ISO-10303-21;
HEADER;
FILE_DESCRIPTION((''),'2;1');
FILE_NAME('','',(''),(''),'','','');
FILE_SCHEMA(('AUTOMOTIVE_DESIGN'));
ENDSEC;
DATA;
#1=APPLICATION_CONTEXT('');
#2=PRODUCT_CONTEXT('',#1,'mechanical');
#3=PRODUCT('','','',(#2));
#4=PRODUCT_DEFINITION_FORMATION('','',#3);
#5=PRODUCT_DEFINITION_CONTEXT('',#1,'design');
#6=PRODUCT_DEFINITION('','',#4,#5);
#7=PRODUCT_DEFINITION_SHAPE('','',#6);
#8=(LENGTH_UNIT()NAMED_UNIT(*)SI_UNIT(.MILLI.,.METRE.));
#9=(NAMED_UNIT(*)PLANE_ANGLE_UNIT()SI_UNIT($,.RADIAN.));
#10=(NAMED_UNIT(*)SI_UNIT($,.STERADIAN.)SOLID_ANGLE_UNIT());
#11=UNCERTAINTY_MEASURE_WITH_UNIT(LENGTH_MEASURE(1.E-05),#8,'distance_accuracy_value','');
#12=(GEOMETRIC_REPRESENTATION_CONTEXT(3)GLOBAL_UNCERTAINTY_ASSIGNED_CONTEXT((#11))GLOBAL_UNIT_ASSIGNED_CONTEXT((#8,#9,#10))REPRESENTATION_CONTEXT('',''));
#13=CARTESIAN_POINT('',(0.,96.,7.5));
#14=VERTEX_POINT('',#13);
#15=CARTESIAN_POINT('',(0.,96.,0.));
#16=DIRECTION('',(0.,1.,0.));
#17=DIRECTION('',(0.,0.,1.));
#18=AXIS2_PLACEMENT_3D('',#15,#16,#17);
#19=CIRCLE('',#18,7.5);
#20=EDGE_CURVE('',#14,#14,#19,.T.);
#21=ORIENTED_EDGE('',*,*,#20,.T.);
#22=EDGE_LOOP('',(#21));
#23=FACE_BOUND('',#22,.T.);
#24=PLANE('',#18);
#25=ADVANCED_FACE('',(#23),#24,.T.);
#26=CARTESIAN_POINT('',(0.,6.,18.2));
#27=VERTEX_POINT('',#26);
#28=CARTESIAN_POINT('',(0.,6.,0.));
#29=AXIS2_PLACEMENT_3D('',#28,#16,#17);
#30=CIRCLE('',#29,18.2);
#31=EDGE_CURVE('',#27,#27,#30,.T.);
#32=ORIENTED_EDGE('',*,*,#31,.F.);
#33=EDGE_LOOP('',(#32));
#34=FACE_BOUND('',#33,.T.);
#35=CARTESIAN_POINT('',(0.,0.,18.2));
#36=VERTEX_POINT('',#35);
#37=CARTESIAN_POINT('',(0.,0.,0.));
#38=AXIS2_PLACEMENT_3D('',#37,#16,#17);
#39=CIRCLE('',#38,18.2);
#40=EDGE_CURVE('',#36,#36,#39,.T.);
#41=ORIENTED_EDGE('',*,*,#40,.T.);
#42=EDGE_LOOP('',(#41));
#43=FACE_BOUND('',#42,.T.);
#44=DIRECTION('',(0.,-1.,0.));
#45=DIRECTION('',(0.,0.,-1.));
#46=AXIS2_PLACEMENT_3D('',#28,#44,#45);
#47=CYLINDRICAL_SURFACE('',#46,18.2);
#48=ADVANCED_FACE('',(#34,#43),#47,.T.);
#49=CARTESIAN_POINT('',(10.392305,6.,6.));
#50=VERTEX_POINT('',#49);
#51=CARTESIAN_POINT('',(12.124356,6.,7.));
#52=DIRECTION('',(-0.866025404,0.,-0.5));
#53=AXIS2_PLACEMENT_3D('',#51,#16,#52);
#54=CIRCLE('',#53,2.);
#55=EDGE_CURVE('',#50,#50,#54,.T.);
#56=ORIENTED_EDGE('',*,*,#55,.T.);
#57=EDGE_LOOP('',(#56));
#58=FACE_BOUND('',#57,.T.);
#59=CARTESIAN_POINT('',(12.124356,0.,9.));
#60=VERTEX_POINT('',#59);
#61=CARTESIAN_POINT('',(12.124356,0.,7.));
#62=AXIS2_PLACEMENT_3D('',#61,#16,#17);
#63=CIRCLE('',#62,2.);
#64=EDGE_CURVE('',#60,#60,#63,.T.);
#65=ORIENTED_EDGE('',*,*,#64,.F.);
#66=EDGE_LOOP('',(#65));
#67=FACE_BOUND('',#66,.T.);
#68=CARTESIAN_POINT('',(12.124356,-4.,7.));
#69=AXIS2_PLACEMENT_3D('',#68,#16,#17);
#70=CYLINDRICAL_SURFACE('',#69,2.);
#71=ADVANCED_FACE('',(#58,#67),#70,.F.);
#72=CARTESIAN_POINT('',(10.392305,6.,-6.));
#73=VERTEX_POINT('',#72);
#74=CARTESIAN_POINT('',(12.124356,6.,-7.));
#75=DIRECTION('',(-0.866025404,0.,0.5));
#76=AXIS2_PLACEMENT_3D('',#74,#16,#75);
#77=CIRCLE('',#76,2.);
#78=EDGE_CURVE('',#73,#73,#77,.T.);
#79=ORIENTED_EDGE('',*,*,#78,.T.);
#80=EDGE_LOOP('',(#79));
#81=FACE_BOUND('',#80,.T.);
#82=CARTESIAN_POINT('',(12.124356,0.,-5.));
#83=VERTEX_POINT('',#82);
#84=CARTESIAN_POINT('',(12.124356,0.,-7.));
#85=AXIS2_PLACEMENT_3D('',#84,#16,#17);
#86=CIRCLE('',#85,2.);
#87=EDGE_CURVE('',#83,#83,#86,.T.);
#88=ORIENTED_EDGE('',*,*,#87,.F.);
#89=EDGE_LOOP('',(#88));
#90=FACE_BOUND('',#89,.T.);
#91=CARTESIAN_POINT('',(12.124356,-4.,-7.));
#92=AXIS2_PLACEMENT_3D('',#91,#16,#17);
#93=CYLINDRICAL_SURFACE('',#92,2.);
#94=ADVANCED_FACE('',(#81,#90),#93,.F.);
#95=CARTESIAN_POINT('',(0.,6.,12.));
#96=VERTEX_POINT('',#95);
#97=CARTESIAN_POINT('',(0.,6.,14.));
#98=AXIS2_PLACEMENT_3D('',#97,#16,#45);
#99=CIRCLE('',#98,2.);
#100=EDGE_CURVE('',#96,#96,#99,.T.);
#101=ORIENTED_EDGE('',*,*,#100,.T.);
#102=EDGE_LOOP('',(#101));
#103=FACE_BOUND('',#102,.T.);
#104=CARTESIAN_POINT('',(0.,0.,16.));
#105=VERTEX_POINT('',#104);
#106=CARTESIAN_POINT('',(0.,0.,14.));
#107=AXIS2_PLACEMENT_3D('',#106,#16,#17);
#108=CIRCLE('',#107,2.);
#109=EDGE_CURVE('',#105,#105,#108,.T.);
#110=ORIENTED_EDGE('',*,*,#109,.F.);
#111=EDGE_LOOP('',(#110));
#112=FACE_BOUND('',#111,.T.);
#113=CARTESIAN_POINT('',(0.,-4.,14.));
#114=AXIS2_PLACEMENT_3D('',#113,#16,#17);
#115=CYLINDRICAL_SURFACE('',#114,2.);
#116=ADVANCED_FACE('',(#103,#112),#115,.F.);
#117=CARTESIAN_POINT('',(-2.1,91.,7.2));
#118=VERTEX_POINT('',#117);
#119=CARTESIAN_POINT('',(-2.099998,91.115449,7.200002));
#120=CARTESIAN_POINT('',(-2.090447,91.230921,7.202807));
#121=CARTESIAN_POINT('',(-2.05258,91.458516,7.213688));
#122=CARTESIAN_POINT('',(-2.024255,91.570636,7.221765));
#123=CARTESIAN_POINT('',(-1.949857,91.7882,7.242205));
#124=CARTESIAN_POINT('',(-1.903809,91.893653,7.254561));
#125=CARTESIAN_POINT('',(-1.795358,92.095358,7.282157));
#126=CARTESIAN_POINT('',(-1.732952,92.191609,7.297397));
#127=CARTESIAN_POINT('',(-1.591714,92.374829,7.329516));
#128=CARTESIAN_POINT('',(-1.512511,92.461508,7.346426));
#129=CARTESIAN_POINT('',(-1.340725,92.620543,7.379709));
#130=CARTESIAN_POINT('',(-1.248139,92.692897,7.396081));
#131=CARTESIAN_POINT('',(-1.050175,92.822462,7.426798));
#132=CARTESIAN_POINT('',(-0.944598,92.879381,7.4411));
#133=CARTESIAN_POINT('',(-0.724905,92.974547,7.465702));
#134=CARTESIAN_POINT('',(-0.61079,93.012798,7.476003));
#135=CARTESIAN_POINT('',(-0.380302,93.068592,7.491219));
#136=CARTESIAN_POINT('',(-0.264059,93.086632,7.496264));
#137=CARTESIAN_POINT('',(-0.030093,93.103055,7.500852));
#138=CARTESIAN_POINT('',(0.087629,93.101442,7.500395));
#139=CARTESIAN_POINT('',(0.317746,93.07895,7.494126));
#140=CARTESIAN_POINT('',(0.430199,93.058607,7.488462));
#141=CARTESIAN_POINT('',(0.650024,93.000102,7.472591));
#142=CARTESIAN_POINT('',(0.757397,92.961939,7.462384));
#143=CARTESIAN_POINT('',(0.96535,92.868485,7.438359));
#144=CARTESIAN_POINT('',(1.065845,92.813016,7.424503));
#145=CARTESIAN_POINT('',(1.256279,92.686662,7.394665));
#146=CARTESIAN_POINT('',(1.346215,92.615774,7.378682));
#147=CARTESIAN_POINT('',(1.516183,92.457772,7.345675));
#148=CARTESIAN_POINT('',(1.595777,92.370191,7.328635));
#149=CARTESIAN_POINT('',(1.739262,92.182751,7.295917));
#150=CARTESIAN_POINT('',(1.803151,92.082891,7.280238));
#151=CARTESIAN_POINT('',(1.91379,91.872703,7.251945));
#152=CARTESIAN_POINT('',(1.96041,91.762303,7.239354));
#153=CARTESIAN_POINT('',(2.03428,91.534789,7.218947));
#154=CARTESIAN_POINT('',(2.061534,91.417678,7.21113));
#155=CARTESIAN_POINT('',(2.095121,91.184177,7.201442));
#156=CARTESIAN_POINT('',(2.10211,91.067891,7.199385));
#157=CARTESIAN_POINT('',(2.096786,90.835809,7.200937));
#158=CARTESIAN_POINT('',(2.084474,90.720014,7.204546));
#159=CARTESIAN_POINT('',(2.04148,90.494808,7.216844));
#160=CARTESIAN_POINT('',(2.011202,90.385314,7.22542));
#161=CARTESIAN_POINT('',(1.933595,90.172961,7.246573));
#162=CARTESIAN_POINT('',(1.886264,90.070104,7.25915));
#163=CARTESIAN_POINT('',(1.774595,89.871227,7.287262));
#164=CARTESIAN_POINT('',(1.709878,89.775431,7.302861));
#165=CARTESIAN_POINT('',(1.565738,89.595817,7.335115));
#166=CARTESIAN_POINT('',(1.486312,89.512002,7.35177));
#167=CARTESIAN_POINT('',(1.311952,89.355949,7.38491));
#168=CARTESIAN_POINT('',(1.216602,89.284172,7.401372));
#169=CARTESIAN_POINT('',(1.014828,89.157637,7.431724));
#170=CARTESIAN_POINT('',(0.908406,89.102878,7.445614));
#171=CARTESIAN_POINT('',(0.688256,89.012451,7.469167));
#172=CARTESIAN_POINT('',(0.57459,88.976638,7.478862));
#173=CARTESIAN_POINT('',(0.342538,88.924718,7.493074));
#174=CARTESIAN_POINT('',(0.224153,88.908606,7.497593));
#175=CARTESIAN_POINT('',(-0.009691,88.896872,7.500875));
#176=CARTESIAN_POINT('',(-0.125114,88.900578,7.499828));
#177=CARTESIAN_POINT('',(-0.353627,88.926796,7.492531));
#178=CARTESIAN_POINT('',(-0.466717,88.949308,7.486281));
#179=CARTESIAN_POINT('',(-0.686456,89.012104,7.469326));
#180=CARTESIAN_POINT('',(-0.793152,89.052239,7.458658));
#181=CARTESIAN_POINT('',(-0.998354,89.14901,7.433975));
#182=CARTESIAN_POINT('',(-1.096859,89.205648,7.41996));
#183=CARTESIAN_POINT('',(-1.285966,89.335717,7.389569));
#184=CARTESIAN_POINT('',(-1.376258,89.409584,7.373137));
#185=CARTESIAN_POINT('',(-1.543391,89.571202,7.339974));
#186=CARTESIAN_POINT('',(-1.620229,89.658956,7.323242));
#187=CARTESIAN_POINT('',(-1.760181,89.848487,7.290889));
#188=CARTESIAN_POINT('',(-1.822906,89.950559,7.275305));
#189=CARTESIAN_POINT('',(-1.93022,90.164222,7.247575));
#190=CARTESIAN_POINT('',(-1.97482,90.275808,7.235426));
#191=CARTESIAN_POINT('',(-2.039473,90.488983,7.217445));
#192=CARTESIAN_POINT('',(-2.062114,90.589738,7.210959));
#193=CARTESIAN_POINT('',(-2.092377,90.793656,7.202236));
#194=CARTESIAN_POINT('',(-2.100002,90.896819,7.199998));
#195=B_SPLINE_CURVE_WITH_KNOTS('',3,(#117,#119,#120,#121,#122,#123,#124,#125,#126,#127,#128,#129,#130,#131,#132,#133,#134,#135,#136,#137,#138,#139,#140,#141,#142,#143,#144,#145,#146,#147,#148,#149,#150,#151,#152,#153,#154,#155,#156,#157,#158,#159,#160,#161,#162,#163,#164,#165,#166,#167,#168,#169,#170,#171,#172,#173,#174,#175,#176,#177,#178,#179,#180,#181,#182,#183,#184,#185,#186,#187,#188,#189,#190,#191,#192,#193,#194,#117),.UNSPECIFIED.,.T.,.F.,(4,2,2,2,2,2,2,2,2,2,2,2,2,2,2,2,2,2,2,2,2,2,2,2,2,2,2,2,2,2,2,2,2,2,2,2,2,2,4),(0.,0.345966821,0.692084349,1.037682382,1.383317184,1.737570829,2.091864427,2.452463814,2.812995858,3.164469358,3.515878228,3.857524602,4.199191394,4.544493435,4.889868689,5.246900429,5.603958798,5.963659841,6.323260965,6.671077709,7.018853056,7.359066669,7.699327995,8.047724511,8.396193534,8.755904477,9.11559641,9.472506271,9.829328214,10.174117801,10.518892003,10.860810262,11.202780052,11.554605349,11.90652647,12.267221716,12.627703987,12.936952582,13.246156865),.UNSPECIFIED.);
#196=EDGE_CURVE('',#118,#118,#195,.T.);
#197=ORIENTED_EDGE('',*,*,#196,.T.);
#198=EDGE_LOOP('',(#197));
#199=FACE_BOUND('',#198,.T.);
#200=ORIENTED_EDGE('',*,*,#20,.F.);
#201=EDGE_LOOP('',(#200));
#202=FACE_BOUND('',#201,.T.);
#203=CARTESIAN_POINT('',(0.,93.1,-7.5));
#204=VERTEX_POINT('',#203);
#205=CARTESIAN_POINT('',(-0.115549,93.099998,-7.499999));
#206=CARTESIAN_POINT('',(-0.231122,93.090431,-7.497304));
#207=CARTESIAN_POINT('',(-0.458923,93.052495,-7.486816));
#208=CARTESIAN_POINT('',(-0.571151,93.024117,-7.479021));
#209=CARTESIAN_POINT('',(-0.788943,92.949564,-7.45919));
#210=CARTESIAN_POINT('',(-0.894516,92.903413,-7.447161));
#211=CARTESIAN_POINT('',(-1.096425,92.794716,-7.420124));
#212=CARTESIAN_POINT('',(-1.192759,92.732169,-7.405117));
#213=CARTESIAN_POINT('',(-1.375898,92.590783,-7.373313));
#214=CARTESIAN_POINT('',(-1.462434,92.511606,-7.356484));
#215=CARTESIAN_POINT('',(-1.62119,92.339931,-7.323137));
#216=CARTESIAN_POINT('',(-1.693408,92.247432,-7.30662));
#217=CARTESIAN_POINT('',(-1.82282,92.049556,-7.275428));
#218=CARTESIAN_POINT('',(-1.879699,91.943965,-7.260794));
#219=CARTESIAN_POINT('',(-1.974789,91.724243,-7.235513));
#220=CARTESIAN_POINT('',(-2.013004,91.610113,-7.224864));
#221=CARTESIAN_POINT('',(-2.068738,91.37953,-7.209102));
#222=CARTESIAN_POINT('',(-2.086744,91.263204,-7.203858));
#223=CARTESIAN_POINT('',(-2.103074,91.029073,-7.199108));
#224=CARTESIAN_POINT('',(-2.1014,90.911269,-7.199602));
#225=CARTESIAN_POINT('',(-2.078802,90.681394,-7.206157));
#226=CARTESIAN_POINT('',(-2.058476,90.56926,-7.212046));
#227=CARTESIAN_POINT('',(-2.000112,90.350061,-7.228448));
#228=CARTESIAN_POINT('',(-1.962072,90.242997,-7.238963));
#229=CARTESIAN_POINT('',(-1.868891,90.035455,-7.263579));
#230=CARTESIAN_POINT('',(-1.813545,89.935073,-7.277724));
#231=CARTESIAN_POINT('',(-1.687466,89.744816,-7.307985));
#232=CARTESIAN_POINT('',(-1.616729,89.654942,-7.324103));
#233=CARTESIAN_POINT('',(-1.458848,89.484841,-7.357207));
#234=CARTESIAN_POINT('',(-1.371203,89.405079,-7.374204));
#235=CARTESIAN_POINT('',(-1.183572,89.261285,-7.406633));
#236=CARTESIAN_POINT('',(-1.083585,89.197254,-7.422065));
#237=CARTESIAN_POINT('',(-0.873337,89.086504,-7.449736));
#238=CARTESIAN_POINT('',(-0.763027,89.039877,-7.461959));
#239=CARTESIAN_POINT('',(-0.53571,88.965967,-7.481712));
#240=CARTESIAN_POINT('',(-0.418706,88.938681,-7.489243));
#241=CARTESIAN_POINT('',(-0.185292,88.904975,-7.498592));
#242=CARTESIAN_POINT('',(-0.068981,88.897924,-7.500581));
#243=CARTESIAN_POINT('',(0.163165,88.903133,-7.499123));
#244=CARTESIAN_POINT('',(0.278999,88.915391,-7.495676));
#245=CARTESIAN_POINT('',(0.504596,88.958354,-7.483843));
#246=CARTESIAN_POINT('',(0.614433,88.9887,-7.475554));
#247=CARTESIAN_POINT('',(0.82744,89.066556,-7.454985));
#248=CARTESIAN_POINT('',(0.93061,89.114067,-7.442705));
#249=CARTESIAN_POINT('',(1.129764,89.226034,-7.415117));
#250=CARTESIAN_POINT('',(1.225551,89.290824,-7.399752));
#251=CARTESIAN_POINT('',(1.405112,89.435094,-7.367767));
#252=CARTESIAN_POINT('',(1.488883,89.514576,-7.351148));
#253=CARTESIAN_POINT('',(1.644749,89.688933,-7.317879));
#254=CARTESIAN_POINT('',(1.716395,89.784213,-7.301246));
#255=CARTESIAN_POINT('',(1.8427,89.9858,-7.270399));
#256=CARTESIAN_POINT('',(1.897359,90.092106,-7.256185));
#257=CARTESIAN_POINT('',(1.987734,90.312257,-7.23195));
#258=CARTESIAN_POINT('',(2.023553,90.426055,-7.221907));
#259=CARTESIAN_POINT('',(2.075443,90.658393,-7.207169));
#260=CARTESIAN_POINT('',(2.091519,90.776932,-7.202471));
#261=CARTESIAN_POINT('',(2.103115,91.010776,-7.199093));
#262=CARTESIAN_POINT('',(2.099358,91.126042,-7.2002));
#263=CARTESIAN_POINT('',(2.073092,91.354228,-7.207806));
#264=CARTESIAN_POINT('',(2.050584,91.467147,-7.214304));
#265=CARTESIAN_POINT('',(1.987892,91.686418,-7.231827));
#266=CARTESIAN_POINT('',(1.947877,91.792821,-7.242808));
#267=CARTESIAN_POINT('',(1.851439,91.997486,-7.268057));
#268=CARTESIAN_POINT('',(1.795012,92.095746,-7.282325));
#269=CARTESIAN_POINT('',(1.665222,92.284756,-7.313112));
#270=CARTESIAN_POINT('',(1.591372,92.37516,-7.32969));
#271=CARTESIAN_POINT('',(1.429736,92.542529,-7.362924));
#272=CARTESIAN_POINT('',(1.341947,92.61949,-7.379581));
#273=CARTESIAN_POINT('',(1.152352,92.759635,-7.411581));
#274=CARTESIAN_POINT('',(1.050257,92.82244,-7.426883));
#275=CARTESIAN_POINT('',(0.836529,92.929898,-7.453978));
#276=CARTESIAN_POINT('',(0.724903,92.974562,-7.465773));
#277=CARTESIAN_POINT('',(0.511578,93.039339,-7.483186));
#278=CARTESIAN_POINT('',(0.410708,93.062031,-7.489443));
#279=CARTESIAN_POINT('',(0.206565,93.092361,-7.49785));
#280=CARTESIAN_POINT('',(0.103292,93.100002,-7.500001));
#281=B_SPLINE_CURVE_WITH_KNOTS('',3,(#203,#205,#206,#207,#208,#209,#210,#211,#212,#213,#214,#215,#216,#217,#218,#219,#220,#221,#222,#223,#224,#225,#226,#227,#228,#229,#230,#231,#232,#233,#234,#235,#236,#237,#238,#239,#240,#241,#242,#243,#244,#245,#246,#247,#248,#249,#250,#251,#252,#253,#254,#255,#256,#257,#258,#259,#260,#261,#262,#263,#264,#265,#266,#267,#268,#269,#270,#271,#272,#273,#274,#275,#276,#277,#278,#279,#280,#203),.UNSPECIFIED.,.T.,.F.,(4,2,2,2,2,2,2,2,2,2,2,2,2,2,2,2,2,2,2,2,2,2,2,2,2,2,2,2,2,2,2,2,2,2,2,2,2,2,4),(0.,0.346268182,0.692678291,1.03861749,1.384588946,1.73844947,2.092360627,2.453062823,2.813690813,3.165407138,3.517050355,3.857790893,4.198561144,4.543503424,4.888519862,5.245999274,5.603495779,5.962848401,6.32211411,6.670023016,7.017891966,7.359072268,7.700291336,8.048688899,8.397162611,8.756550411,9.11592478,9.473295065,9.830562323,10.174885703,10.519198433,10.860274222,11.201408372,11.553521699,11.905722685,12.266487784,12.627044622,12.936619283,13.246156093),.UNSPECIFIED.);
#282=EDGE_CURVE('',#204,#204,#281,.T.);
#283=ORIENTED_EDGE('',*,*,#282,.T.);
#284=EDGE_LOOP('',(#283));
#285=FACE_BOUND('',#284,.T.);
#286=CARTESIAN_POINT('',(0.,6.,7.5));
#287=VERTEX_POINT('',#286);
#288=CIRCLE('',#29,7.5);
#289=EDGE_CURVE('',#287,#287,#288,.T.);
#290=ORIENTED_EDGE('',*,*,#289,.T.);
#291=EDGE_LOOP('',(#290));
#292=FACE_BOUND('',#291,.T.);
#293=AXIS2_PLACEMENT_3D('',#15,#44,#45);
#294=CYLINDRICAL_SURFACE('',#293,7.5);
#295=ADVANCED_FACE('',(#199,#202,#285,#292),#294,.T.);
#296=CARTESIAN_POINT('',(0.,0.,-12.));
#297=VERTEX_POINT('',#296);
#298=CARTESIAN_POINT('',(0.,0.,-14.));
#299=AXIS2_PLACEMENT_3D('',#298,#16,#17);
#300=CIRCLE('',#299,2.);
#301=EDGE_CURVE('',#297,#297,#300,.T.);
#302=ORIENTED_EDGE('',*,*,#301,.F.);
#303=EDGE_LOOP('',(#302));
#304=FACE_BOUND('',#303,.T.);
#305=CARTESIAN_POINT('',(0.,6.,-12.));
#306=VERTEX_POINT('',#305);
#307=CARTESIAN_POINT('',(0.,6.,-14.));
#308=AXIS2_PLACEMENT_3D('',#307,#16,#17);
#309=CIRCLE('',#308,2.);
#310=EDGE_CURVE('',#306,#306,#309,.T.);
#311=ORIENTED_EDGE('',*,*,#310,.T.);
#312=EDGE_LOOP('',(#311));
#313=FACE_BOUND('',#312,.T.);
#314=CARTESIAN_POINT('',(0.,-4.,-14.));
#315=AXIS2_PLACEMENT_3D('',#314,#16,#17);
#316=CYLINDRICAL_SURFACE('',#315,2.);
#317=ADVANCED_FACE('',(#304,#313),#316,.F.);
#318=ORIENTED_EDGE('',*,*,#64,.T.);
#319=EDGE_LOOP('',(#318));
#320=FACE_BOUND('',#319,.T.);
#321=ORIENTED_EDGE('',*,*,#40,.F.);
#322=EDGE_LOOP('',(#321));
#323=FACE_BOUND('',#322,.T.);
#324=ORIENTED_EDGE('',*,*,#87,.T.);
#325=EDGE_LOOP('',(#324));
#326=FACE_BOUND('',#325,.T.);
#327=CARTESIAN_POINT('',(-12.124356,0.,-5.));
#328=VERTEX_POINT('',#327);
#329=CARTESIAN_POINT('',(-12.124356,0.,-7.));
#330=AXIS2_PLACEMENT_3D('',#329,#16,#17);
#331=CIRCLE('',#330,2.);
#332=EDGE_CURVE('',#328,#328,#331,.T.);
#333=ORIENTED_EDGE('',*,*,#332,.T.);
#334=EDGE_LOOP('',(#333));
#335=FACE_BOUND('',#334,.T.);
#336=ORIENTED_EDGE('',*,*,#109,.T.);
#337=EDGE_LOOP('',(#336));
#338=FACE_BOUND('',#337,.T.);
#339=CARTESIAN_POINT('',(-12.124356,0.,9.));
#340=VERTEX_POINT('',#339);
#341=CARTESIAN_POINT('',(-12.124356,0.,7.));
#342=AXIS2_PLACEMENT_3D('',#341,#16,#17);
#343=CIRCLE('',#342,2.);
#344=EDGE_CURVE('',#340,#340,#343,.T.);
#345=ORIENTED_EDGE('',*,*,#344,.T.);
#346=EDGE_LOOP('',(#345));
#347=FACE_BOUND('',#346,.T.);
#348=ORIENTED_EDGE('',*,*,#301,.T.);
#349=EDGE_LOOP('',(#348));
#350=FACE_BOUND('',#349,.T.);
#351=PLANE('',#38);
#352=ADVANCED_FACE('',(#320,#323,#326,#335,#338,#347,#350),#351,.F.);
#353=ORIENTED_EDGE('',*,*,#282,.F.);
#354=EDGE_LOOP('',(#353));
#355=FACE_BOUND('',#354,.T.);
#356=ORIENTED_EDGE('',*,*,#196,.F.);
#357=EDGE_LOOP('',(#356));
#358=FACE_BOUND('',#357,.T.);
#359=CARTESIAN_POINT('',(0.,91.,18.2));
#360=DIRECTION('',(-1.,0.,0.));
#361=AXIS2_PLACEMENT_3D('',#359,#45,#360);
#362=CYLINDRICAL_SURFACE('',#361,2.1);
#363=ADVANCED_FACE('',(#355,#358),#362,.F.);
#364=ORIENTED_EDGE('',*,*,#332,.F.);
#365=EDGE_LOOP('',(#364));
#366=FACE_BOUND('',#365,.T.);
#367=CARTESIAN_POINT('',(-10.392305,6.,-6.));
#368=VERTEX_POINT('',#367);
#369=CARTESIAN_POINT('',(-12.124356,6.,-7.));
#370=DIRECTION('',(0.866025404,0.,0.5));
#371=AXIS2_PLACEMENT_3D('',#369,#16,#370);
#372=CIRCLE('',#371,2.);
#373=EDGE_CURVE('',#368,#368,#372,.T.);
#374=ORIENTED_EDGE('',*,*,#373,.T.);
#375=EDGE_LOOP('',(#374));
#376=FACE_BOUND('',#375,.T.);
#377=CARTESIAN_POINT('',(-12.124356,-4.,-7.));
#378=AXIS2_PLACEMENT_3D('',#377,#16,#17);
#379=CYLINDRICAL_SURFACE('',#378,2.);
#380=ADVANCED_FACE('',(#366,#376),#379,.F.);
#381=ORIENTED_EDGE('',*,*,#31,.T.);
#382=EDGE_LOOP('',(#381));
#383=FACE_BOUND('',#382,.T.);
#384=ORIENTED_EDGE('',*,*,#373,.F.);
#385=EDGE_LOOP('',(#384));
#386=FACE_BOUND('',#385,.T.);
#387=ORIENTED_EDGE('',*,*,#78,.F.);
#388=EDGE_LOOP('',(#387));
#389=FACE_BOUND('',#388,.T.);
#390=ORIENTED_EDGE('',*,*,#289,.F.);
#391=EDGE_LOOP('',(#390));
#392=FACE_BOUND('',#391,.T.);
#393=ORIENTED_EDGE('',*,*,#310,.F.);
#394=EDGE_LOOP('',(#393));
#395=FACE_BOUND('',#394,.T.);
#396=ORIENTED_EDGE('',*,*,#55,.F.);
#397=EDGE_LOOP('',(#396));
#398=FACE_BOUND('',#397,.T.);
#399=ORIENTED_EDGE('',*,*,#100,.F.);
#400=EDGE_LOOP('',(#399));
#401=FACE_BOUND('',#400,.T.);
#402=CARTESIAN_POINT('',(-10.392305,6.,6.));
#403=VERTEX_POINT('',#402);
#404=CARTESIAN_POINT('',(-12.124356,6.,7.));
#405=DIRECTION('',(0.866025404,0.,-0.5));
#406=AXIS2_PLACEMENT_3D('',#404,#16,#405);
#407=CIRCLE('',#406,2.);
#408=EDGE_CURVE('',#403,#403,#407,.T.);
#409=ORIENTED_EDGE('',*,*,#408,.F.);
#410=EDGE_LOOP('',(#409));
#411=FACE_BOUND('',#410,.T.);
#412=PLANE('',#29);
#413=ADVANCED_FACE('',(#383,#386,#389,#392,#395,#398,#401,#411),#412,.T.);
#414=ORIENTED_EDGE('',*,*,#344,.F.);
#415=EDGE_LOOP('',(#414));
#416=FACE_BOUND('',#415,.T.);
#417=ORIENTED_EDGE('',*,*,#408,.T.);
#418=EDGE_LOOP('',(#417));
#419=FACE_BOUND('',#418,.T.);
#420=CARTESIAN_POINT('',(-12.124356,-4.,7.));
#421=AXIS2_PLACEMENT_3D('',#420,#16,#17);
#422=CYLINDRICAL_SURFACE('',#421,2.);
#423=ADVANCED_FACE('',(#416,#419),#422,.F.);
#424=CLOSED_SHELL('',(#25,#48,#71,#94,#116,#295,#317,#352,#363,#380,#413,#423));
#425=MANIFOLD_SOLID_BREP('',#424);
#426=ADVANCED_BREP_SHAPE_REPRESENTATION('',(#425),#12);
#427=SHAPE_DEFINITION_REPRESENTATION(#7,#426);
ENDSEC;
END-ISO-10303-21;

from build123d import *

# Parameters (mm, degrees)
SKETCH1_R           = 18.2
BOSS_EXTRUDE1_DEPTH = 6
SKETCH3_R           = 2
CUT_EXTRUDE1_DEPTH  = 10
CIRPATTERN1_COUNT   = 6
SKETCH4_R           = 7.5
BOSS_EXTRUDE2_DEPTH = 90
SKETCH9_R           = 2.1
CUT_EXTRUDE2_DEPTH  = 26.7


with BuildPart() as part:
    # Sketch1 → Boss-Extrude1 (new body)
    with BuildSketch(Plane(origin=(0, 0, 0), x_dir=(1, 0, 0), z_dir=(0, 1, 0))):
        Circle(SKETCH1_R)
    extrude(amount=BOSS_EXTRUDE1_DEPTH)

    # Sketch3 → Cut-Extrude1 (cut)
    with BuildSketch(Plane(origin=(0, 6, 0), x_dir=(1, 0, 0), z_dir=(0, 1, 0))):
        with Locations((0, 14)):
            Circle(SKETCH3_R)
    cut_extrude1 = extrude(amount=-CUT_EXTRUDE1_DEPTH, mode=Mode.SUBTRACT)

    # CirPattern1: Cut-Extrude1 ×6 about axis
    cirpattern1_axis = Axis((0, 0, 0), (0, 1, 0))
    for i in range(1, CIRPATTERN1_COUNT):
        add(cut_extrude1.rotate(cirpattern1_axis, i * 360 / CIRPATTERN1_COUNT), mode=Mode.SUBTRACT)

    # Sketch4 → Boss-Extrude2 (add)
    with BuildSketch(Plane(origin=(0, 6, 0), x_dir=(1, 0, 0), z_dir=(0, 1, 0))):
        Circle(SKETCH4_R)
    extrude(amount=BOSS_EXTRUDE2_DEPTH)

    # Sketch9 → Cut-Extrude2 (cut, through all)
    with BuildSketch(Plane(origin=(0, 0, -7.5), x_dir=(-1, 0, 0), z_dir=(0, 0, -1))):
        with Locations((0, 91)):
            Circle(SKETCH9_R)
    extrude(amount=-CUT_EXTRUDE2_DEPTH, mode=Mode.SUBTRACT)


solid = part.part
